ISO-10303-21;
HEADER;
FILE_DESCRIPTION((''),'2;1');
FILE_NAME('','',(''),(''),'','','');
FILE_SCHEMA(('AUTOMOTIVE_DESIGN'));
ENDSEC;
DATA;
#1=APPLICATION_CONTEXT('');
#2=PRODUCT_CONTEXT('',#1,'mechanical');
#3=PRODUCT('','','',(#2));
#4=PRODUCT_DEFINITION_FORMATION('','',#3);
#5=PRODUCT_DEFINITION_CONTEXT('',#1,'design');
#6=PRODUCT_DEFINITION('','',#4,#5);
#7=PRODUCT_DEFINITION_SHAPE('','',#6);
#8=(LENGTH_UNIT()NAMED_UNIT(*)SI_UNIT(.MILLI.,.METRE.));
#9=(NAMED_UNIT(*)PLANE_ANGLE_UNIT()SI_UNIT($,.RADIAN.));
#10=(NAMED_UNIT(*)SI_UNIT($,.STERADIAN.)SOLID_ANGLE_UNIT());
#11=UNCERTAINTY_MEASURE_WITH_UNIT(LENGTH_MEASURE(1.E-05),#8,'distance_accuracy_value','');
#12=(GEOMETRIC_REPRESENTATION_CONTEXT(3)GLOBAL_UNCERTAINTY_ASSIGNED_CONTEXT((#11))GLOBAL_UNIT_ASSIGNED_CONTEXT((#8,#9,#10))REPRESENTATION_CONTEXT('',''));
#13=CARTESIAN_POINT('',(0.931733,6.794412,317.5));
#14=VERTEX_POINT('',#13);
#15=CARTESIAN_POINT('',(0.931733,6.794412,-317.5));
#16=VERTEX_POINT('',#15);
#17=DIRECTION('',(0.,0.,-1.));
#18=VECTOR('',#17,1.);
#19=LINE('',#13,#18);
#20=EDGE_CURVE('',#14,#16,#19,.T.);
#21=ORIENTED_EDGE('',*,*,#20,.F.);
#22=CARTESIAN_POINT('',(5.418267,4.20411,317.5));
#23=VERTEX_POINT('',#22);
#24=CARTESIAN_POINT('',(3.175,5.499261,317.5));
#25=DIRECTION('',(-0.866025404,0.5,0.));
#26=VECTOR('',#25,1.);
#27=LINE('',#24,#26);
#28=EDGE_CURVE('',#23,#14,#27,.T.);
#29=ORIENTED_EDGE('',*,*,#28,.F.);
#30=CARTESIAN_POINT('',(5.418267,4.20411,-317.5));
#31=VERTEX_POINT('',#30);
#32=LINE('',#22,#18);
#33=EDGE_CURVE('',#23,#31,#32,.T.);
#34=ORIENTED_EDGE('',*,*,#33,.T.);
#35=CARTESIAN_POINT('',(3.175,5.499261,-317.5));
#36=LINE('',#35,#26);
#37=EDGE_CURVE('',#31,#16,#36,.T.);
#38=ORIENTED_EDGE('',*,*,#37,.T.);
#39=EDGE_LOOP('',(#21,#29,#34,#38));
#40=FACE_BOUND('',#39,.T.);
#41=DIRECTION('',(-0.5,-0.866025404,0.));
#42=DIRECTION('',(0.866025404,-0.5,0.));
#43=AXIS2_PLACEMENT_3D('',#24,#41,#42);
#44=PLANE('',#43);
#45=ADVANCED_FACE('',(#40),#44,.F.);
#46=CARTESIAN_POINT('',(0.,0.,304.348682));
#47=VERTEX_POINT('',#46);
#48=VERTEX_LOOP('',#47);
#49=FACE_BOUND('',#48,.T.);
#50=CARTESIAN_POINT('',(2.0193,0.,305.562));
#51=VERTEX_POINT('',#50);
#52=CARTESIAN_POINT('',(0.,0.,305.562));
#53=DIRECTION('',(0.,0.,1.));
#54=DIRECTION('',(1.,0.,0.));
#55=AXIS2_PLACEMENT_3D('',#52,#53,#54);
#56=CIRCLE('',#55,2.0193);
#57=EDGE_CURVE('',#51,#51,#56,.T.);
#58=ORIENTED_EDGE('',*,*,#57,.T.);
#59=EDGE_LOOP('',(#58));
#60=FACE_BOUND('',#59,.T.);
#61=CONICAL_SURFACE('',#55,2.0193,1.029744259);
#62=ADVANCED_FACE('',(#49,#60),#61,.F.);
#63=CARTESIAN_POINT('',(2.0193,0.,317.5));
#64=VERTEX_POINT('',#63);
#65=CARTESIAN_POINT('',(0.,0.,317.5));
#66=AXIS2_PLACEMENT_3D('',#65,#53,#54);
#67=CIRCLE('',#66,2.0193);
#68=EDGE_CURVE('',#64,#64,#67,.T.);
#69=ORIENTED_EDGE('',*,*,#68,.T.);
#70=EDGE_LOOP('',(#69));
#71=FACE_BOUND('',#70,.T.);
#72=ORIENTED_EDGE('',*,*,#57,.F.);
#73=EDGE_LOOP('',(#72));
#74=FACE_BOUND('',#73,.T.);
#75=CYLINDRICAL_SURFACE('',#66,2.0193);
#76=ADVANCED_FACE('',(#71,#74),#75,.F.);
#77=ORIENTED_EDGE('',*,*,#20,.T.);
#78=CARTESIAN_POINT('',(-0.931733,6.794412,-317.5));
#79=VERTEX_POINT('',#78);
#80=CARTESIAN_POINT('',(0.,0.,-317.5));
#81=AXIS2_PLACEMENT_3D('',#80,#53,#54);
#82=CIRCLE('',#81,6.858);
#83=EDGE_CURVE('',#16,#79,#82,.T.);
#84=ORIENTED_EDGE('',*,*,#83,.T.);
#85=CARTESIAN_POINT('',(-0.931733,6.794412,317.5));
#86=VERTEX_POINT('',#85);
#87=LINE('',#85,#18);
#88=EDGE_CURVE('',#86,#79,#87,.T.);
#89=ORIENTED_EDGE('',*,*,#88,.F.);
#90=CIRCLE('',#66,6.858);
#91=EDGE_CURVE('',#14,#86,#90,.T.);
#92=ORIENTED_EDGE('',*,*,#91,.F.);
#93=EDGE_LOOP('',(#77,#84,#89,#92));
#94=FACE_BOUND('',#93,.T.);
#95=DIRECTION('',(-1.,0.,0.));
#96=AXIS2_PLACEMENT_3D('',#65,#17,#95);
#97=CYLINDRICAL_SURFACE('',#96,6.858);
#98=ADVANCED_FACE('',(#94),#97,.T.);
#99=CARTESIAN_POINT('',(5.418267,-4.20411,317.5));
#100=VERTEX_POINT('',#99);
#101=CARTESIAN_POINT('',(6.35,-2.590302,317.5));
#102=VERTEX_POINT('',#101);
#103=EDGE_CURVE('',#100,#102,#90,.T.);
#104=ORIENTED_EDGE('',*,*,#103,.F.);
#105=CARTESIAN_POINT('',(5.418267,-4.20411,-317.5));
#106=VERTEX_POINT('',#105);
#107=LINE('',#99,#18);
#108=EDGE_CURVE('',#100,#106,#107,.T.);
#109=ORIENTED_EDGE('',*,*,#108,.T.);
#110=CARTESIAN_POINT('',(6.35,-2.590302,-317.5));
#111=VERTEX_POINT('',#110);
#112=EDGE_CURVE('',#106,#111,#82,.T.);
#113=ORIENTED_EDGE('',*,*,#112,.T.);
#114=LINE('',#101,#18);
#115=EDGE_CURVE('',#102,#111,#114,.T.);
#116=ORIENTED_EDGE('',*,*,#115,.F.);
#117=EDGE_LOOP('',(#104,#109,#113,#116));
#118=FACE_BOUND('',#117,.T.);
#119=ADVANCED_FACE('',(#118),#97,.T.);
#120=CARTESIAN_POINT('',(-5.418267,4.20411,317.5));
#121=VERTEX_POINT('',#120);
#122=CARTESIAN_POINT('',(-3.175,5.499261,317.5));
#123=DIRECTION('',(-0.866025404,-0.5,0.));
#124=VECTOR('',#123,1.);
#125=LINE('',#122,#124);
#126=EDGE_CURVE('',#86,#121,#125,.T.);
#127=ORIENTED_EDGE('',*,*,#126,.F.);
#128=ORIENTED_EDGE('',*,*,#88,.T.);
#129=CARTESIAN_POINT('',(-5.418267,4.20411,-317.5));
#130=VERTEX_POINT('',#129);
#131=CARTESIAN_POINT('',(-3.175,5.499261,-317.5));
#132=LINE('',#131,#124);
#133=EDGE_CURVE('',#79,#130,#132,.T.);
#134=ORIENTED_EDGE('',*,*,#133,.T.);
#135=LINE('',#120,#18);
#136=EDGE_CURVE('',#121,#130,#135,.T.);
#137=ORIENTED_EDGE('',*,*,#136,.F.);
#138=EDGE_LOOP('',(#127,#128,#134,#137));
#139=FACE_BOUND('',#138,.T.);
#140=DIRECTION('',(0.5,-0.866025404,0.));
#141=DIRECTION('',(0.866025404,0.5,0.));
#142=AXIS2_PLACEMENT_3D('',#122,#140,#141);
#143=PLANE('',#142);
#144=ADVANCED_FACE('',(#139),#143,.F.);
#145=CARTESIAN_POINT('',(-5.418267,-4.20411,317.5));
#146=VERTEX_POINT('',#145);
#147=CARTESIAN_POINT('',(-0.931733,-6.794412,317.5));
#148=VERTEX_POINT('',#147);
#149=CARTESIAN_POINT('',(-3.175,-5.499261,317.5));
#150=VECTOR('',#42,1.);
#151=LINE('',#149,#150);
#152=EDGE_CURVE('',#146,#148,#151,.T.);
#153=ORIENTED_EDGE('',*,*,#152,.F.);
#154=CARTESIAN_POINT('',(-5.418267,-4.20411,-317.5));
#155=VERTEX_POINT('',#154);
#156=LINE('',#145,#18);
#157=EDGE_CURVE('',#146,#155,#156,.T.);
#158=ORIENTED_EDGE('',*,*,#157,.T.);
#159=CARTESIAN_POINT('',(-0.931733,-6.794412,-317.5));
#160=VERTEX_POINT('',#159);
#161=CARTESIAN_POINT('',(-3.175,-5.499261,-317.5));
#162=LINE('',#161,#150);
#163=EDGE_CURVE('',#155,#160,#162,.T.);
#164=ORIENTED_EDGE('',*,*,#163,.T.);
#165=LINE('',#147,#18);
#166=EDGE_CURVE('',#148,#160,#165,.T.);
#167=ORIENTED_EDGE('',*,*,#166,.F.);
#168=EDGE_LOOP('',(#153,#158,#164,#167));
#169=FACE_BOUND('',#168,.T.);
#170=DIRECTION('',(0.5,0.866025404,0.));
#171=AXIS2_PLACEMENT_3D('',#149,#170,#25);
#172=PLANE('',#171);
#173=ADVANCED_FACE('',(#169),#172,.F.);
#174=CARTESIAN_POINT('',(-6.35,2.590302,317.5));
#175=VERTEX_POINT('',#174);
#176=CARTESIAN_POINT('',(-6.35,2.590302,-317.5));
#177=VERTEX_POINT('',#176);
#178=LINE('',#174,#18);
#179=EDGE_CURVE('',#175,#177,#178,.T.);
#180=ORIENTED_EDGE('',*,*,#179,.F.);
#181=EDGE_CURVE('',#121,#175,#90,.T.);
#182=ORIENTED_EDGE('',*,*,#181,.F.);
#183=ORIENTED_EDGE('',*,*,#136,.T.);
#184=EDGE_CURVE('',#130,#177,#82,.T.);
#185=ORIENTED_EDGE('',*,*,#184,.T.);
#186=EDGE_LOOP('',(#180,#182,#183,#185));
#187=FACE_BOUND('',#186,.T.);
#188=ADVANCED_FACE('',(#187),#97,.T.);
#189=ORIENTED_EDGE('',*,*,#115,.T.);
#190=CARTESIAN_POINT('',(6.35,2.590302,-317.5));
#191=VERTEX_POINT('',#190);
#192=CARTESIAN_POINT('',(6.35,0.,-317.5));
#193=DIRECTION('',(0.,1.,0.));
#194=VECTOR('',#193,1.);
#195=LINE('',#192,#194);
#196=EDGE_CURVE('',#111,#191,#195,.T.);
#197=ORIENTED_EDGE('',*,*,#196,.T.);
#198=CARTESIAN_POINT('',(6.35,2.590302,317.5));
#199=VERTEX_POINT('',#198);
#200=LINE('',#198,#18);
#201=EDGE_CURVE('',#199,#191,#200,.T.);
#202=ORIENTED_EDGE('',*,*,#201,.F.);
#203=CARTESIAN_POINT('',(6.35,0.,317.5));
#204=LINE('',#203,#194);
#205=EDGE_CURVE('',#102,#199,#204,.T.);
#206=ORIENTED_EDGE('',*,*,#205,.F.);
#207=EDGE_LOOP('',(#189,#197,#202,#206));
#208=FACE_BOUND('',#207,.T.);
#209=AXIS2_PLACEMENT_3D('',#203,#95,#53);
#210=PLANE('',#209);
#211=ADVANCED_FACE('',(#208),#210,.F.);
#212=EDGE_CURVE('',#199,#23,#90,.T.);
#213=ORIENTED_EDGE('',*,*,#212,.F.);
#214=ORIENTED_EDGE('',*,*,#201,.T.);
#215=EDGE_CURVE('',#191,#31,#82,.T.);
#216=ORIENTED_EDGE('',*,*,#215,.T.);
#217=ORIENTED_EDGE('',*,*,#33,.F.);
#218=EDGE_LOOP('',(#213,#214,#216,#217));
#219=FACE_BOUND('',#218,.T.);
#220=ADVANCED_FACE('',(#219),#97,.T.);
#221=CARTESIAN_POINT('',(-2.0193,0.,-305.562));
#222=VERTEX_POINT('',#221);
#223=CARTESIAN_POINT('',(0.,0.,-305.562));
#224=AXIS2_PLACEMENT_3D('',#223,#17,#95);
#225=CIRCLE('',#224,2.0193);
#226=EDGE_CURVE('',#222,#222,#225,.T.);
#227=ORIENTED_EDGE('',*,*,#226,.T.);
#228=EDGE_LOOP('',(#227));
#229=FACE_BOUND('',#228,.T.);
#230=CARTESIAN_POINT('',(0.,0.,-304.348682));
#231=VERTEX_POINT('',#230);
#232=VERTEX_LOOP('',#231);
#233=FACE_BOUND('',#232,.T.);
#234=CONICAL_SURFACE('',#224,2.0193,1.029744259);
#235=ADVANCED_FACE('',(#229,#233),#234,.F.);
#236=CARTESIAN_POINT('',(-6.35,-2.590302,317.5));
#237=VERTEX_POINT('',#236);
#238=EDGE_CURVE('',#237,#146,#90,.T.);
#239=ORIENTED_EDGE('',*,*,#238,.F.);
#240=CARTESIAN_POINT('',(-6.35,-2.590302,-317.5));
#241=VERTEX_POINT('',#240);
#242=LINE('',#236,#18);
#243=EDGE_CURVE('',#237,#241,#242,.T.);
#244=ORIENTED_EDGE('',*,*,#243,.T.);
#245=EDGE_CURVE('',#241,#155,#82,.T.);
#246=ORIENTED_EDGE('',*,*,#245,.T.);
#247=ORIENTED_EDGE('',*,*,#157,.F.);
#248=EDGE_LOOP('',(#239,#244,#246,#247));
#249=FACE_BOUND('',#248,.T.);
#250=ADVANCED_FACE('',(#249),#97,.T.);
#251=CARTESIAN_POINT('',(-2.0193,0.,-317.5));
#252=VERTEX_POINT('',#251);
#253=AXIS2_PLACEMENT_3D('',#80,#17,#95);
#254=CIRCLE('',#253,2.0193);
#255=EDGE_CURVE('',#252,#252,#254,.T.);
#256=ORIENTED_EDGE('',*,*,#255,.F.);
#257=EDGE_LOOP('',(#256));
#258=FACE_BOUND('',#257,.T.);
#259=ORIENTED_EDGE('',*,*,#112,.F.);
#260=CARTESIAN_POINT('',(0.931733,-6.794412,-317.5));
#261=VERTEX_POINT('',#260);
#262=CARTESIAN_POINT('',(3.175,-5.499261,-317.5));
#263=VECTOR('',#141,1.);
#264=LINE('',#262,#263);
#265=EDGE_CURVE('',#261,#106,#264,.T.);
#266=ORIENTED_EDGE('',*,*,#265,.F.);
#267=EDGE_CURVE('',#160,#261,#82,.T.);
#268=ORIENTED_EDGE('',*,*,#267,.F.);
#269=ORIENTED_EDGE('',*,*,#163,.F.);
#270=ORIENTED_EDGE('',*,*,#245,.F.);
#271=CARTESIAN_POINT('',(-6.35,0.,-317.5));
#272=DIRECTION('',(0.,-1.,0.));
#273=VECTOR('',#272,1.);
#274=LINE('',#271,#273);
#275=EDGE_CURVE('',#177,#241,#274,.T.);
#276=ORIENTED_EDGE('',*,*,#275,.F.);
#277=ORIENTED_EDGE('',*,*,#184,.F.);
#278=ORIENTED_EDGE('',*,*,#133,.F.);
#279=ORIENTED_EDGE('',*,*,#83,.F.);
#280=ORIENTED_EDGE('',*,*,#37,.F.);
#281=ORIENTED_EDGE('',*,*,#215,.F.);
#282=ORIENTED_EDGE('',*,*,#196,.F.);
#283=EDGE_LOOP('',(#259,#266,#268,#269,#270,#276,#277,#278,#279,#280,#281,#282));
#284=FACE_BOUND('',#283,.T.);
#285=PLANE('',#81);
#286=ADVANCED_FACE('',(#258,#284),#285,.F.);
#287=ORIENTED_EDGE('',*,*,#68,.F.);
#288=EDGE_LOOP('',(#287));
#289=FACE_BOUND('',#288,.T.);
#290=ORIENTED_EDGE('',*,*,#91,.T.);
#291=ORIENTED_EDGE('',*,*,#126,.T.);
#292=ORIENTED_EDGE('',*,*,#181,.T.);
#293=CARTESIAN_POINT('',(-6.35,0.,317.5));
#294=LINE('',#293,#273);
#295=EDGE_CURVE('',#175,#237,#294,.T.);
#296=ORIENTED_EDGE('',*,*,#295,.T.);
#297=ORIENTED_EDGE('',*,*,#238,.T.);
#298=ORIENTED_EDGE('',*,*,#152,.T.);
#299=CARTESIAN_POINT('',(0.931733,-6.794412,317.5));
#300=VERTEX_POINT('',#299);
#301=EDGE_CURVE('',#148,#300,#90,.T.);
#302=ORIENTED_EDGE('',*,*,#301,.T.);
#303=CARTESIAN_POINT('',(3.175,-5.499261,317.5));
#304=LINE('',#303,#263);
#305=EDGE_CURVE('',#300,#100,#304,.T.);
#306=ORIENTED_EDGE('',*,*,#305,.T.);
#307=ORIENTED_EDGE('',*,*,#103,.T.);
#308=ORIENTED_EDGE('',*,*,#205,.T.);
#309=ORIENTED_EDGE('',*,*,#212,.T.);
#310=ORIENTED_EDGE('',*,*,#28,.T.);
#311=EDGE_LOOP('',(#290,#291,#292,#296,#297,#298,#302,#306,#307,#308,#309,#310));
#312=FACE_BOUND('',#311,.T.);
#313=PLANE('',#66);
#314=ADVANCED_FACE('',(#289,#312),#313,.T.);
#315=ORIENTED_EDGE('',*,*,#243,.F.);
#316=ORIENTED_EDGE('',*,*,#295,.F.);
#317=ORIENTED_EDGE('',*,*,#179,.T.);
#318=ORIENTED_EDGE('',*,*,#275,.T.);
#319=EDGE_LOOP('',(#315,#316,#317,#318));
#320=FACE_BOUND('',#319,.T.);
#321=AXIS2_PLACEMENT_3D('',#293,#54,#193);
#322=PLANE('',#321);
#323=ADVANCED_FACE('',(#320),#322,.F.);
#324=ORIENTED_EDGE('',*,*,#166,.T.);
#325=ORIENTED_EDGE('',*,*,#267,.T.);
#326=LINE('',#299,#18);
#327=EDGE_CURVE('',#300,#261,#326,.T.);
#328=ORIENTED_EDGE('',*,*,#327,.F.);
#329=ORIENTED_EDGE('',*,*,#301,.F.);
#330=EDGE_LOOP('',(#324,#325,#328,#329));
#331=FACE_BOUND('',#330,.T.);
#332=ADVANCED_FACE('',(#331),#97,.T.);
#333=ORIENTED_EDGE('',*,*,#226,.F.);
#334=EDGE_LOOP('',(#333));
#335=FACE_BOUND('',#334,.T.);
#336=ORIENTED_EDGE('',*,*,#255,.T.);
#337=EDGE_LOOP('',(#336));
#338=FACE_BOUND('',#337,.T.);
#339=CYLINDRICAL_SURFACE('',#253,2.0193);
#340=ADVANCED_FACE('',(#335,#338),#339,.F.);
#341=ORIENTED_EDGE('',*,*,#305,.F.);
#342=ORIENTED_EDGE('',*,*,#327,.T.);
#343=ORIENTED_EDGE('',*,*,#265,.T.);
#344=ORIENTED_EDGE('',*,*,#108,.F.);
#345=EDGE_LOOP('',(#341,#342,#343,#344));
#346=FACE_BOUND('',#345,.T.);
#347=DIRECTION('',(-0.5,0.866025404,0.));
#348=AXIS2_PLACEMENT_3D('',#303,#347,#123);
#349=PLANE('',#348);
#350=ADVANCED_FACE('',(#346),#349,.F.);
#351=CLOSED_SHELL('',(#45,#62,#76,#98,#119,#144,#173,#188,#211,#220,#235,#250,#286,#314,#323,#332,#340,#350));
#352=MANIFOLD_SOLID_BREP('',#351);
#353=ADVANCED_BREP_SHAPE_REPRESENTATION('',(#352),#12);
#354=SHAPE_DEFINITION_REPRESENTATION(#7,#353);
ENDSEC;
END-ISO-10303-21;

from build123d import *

# Parameters (mm, degrees)
BOSS_EXTRUDE1_DEPTH                  = 317.5
F_10_32_TAPPED_HOLE1_D               = 4.0386
F_10_32_TAPPED_HOLE1_DEPTH           = 11.938
F_10_32_TAPPED_HOLE1_TIP             = 1.213317848
F_10_32_TAPPED_HOLE1_ON_FACE_2_D     = 4.0386
F_10_32_TAPPED_HOLE1_ON_FACE_2_DEPTH = 11.938
F_10_32_TAPPED_HOLE1_ON_FACE_2_TIP   = 1.213317848


with BuildPart() as part:
    # Sketch1 → Boss-Extrude1 (new, symmetric)
    with BuildSketch(Plane.XY):
        with BuildLine():
            ThreePointArc((0.93173274, 6.79441227), (0, 6.858), (-0.93173274, 6.79441227))
            Line((-0.93173274, 6.79441227), (-5.41826726, 4.204110358))
            ThreePointArc((-5.41826726, 4.204110358), (-5.939202219, 3.429), (-6.35, 2.590301913))
            Line((-6.35, 2.590301913), (-6.35, -2.590301913))
            ThreePointArc((-6.35, -2.590301913), (-5.939202219, -3.429), (-5.41826726, -4.204110358))
            Line((-5.41826726, -4.204110358), (-0.93173274, -6.79441227))
            ThreePointArc((-0.93173274, -6.79441227), (0, -6.858), (0.93173274, -6.79441227))
            Line((0.93173274, -6.79441227), (5.41826726, -4.204110358))
            ThreePointArc((5.41826726, -4.204110358), (5.939202219, -3.429), (6.35, -2.590301913))
            Line((6.35, -2.590301913), (6.35, 2.590301913))
            ThreePointArc((6.35, 2.590301913), (5.939202219, 3.429), (5.41826726, 4.204110358))
            Line((5.41826726, 4.204110358), (0.93173274, 6.79441227))
        make_face()
    extrude(amount=BOSS_EXTRUDE1_DEPTH, both=True)

    # #10-32 Tapped Hole1
    with Locations(Plane.XY.offset(317.5)):
        with Locations((0, 0)):
            Hole(F_10_32_TAPPED_HOLE1_D / 2, depth=F_10_32_TAPPED_HOLE1_DEPTH)
            with Locations((0, 0, -(F_10_32_TAPPED_HOLE1_DEPTH + F_10_32_TAPPED_HOLE1_TIP / 2))):  # 118° drill point
                Cone(0, F_10_32_TAPPED_HOLE1_D / 2, F_10_32_TAPPED_HOLE1_TIP, mode=Mode.SUBTRACT)

    # #10-32 Tapped Hole1 on face 2
    with Locations(Plane(origin=(0, 0, -317.5), x_dir=(-1, 0, 0), z_dir=(0, 0, -1))):
        with Locations((0, 0)):
            Hole(F_10_32_TAPPED_HOLE1_ON_FACE_2_D / 2, depth=F_10_32_TAPPED_HOLE1_ON_FACE_2_DEPTH)
            with Locations((0, 0, -(F_10_32_TAPPED_HOLE1_ON_FACE_2_DEPTH + F_10_32_TAPPED_HOLE1_ON_FACE_2_TIP / 2))):  # 118° drill point
                Cone(0, F_10_32_TAPPED_HOLE1_ON_FACE_2_D / 2, F_10_32_TAPPED_HOLE1_ON_FACE_2_TIP, mode=Mode.SUBTRACT)


solid = part.part
